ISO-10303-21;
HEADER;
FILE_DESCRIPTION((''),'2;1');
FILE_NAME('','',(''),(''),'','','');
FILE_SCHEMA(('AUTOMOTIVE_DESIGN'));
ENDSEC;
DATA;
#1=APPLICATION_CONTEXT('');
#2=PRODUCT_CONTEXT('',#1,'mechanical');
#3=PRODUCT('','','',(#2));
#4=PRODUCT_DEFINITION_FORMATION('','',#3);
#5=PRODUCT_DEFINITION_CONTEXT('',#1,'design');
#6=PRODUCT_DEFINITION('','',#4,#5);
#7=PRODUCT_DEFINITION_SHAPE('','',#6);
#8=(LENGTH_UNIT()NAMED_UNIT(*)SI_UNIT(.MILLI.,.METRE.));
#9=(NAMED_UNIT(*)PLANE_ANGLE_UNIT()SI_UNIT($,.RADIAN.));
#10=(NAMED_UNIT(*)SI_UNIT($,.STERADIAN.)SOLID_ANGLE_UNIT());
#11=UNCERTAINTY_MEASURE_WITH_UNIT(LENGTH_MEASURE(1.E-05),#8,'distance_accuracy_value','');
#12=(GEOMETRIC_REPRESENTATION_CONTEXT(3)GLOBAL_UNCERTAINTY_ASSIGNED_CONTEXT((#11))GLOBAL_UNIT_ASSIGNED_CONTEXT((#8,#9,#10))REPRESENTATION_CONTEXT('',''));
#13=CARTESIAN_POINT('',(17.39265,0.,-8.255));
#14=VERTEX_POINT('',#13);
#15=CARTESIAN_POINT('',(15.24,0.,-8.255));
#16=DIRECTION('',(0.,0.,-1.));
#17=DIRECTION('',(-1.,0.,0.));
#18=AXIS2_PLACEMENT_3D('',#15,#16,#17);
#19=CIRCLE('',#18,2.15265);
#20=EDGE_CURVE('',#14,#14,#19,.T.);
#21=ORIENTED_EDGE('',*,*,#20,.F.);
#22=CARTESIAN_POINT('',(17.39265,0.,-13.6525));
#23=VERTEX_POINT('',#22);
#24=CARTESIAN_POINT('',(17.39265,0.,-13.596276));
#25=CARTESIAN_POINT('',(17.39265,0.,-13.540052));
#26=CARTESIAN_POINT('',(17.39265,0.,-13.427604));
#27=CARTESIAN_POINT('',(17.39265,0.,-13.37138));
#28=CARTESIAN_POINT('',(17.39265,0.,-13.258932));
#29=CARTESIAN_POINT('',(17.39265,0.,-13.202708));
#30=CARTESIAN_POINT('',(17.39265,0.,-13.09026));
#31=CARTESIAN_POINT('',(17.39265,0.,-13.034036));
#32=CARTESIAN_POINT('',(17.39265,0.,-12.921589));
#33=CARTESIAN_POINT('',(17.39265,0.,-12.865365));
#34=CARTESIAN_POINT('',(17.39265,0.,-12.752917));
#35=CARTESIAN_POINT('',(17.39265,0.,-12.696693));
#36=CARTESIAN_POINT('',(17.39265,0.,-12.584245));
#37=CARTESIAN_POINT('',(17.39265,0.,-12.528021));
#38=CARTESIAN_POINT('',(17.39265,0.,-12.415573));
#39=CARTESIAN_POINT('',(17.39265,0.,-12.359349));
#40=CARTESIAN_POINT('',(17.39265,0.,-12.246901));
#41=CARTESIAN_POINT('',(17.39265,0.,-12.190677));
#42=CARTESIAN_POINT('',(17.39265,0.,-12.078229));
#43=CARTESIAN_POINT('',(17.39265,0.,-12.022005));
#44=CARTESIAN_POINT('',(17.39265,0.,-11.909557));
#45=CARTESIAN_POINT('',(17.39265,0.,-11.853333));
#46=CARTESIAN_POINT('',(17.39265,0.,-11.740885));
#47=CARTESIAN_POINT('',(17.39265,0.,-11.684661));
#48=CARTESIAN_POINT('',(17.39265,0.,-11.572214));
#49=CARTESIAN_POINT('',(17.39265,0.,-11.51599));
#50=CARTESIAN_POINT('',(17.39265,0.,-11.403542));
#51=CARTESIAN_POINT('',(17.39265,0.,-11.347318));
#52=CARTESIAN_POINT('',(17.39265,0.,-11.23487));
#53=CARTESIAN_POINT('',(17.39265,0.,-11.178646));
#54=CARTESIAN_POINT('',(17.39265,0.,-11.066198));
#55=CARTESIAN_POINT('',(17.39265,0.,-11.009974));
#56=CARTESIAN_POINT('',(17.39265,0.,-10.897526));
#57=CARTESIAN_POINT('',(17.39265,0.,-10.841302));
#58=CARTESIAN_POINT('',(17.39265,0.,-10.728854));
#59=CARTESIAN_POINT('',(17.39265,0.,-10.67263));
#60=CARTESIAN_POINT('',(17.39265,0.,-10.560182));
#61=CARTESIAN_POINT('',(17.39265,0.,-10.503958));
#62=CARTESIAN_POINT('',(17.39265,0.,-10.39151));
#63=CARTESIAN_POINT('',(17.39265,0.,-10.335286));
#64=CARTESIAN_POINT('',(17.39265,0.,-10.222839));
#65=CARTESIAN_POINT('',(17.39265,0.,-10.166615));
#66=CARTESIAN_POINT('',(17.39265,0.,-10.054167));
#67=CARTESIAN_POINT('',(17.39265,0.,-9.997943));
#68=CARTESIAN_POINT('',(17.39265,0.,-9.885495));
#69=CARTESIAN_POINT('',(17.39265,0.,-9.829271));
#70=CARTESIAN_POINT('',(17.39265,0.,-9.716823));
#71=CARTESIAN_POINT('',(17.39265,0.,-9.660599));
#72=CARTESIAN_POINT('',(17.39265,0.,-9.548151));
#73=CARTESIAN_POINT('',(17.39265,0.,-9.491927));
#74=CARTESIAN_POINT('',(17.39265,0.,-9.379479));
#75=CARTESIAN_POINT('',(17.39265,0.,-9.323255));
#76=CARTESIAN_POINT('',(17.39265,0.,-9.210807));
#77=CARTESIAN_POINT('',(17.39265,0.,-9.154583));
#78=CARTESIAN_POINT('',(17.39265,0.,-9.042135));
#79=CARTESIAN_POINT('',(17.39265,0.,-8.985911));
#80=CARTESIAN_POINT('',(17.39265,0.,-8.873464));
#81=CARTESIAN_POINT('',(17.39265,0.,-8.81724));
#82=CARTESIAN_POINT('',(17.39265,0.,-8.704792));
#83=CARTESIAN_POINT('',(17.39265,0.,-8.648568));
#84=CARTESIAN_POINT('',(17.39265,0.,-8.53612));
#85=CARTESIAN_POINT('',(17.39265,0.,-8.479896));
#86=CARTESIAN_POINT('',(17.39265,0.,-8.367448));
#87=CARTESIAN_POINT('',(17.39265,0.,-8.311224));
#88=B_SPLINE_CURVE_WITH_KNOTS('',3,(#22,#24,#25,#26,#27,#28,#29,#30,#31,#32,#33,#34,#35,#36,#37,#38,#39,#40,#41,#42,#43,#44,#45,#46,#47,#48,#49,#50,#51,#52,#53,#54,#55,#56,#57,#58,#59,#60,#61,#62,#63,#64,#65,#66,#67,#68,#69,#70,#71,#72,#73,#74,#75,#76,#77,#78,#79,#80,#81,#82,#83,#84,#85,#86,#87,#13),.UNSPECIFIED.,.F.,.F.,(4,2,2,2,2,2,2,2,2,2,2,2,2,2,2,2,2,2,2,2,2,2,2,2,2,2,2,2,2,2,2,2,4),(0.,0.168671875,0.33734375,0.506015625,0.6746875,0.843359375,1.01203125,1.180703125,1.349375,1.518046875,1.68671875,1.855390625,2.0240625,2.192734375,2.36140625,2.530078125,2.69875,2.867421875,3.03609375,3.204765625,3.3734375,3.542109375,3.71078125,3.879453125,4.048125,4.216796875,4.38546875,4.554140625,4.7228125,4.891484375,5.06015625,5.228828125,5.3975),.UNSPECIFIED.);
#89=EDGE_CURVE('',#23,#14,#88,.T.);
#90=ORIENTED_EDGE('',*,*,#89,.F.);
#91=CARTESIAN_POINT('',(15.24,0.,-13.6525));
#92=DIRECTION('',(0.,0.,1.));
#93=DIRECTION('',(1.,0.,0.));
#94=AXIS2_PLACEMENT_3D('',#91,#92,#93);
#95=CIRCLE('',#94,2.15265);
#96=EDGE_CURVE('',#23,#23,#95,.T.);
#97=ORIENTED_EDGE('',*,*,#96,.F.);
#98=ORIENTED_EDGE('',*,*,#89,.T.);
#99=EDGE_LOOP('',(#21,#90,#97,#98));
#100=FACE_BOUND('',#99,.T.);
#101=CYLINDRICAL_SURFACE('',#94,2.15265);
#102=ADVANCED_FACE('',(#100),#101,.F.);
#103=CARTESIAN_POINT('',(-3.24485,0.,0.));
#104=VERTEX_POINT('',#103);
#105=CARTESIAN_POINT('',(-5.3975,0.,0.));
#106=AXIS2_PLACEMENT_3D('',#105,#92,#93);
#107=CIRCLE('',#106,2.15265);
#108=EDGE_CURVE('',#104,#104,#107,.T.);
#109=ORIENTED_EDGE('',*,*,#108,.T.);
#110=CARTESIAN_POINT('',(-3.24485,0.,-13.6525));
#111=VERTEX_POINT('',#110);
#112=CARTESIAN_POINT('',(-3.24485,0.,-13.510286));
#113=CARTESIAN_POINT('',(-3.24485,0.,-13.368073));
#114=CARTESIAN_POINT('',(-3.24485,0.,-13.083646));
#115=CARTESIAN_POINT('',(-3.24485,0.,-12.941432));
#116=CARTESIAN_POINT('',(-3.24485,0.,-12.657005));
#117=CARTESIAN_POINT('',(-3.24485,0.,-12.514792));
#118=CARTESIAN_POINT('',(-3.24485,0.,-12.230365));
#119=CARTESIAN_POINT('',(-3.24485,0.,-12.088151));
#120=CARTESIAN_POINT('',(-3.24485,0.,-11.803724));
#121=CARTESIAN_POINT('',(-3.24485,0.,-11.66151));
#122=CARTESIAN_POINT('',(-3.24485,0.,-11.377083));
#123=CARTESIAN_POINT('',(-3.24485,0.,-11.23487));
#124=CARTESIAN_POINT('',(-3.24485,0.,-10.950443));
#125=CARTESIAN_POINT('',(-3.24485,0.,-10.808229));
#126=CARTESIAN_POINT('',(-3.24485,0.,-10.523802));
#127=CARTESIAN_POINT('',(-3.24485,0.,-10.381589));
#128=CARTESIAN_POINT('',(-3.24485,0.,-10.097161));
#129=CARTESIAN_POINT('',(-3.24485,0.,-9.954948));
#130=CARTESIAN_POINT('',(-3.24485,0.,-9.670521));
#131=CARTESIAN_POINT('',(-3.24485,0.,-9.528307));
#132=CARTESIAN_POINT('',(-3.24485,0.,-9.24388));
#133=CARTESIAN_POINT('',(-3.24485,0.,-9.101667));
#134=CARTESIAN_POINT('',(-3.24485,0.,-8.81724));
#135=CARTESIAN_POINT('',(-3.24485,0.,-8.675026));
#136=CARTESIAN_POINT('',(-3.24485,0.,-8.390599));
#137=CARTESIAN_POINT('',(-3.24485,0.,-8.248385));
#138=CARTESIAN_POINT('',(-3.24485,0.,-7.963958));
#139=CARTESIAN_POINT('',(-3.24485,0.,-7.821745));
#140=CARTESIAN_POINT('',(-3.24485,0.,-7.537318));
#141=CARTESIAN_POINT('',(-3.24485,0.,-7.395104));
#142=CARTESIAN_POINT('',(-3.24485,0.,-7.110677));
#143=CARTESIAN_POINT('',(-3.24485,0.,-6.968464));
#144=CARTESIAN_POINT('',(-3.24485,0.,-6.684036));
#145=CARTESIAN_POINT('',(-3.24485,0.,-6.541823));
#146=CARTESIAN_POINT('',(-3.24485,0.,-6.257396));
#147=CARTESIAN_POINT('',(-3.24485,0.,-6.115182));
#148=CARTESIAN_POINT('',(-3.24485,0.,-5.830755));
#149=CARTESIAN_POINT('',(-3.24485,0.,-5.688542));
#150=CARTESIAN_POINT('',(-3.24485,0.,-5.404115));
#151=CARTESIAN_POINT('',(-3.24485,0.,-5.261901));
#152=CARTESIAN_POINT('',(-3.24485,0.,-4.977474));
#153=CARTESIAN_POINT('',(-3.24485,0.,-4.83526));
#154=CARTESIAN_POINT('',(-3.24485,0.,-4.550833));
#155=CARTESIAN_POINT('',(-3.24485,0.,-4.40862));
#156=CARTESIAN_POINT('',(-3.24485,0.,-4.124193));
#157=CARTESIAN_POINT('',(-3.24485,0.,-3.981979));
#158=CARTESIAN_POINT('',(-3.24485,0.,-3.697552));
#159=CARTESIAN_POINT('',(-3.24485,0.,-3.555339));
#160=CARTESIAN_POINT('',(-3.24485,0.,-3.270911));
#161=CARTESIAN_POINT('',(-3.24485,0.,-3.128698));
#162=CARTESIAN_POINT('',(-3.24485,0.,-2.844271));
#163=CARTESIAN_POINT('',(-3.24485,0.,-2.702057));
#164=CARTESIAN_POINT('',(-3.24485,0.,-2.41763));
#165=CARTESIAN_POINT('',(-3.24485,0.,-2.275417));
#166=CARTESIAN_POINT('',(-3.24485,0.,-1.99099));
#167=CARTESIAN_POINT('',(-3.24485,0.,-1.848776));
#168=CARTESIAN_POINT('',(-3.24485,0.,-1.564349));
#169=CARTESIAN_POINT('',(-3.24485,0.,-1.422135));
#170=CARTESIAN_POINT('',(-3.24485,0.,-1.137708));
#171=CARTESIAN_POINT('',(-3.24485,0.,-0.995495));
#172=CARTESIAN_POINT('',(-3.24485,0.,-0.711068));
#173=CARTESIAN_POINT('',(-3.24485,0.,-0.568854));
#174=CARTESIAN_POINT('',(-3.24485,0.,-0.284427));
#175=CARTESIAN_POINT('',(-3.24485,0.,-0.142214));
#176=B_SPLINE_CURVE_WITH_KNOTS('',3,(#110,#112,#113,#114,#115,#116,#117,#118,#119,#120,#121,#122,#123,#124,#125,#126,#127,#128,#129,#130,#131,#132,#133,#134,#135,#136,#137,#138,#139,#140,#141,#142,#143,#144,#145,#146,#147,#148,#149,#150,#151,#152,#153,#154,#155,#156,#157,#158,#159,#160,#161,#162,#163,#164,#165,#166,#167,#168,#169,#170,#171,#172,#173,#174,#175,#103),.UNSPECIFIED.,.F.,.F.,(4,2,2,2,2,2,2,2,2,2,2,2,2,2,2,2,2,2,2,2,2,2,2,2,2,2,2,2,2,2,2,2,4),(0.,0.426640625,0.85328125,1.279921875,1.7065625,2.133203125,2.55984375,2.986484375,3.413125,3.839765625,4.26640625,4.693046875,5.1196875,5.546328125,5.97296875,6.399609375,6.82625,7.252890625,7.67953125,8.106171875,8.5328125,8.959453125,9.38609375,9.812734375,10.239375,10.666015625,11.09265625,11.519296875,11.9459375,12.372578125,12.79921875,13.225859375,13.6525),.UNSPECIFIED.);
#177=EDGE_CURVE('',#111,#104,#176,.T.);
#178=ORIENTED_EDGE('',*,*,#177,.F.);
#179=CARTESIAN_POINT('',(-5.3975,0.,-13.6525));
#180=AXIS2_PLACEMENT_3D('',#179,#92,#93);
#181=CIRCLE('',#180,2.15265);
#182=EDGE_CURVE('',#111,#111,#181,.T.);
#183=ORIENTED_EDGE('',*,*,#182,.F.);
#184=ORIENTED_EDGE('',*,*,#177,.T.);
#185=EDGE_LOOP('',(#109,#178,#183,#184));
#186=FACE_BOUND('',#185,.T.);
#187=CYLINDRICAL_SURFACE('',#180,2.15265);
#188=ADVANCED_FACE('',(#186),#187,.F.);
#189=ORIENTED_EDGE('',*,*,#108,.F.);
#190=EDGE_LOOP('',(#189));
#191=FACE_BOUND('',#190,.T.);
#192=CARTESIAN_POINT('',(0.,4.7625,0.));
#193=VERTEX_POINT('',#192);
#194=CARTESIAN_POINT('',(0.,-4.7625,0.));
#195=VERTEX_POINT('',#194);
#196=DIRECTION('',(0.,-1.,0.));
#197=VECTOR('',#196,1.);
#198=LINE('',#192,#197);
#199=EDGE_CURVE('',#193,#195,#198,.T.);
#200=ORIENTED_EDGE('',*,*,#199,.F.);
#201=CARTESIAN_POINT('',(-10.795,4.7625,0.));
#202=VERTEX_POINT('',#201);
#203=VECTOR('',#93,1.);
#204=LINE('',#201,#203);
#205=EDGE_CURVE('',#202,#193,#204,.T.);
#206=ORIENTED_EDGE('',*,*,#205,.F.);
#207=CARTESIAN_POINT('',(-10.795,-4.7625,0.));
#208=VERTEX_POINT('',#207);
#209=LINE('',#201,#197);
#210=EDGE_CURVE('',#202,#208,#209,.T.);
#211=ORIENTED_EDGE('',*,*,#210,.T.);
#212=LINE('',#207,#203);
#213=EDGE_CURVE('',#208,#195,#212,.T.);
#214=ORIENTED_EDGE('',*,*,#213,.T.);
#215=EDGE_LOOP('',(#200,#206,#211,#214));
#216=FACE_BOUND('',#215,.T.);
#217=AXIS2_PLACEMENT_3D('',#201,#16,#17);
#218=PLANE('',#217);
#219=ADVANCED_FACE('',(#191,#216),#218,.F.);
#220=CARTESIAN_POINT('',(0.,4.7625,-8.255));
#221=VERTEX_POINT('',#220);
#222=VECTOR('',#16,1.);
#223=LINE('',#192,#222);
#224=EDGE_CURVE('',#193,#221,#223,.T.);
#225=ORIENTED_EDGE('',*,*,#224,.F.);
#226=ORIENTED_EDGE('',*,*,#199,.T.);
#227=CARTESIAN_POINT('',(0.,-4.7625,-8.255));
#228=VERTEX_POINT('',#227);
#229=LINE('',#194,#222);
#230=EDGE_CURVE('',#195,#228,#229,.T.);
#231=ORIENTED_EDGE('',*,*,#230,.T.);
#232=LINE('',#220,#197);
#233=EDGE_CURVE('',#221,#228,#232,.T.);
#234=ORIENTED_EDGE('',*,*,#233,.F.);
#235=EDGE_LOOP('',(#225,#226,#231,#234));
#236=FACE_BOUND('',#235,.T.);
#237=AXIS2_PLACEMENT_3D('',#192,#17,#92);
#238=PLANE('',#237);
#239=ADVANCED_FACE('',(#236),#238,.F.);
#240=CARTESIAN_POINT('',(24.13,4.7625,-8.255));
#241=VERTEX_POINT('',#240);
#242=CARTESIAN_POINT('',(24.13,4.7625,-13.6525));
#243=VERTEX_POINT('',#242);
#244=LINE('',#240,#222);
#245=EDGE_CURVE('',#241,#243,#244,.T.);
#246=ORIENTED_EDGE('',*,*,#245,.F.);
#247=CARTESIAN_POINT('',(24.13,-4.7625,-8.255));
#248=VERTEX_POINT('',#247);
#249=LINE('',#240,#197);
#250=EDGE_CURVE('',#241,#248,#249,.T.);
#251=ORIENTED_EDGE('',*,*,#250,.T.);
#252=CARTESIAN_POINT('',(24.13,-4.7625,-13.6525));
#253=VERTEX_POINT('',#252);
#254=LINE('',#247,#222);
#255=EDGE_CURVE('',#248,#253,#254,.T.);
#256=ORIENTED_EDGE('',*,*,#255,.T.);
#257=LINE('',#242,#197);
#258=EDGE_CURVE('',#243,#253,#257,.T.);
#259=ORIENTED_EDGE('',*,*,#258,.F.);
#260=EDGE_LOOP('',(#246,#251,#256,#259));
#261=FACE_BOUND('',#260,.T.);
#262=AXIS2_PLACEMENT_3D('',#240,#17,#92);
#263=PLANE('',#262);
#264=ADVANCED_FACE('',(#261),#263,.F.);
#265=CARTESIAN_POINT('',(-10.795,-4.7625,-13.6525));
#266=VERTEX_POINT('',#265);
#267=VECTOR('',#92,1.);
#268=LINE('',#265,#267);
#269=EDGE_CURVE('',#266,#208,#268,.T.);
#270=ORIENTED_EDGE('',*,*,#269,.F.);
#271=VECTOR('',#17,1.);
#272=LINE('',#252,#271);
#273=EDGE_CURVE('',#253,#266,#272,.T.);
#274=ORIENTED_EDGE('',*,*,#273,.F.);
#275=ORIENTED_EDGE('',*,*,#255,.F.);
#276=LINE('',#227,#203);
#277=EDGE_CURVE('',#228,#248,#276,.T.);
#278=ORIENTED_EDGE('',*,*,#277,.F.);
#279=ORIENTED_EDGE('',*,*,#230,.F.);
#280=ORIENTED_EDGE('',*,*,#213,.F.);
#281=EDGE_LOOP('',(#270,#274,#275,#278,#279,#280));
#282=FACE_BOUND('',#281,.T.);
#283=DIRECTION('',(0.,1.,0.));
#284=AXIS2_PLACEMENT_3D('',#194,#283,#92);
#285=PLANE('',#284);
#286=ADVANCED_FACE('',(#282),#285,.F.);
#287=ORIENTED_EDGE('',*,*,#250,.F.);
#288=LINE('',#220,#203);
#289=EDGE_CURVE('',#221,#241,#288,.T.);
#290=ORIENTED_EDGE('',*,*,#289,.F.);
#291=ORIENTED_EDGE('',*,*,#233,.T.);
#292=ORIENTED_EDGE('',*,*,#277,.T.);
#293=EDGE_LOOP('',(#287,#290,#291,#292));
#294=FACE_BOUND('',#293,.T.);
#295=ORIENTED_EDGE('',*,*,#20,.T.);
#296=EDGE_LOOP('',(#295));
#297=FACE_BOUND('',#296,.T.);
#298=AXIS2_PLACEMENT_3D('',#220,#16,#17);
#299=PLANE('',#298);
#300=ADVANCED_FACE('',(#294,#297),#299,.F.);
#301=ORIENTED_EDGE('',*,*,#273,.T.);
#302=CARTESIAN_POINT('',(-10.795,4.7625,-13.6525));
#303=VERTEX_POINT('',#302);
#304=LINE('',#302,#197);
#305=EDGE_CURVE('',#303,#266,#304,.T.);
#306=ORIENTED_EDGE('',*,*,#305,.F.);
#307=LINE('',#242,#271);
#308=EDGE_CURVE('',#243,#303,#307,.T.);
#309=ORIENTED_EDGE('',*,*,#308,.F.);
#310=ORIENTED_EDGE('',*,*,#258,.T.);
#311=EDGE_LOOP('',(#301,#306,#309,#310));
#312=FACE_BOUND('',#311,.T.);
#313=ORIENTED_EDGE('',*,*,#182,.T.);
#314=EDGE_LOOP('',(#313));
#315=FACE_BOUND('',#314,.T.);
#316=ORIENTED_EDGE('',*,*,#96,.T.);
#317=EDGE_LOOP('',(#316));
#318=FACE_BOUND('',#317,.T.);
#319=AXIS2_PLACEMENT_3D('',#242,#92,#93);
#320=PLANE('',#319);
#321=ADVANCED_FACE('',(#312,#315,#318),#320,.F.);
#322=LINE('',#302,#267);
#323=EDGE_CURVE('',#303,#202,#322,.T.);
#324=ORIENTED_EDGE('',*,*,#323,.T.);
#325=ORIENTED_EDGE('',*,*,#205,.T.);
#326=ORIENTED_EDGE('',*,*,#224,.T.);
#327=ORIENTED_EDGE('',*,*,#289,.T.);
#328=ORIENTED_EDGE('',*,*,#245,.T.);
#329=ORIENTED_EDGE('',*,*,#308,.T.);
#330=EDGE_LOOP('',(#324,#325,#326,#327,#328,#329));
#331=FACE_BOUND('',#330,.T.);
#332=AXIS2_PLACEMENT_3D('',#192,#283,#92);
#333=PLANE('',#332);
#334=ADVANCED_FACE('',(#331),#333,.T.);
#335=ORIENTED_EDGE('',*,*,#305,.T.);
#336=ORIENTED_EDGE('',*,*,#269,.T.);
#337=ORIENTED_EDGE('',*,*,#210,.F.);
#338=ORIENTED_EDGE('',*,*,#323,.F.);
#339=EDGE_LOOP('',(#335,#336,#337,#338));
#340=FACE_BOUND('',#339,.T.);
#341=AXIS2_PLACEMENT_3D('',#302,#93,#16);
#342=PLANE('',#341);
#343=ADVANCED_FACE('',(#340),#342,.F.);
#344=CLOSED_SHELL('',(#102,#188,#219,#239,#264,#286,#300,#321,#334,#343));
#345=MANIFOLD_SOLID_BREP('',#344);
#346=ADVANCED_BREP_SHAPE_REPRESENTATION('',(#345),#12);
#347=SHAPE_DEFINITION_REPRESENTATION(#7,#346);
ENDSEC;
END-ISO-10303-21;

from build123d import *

# Parameters (mm, degrees)
BOSS_EXTRUDE1_DEPTH = 4.7625
SKETCH3_R           = 2.15265
CUT_EXTRUDE1_DEPTH  = 29.13057167


with BuildPart() as part:
    # Sketch1 → Boss-Extrude1 (new, symmetric)
    with BuildSketch(Plane(origin=(0, 0, 0), x_dir=(1, 0, 0), z_dir=(0, 1, 0))):
        Polygon((0, 0), (0, 8.255), (24.13, 8.255), (24.13, 13.6525), (-10.795, 13.6525), (-10.795, 0), align=None)
    extrude(amount=BOSS_EXTRUDE1_DEPTH, both=True)

    # Sketch3 → Cut-Extrude1 (cut, through all)
    with BuildSketch(Plane.XY):
        with Locations((15.24, 0)):
            Circle(SKETCH3_R)
        with Locations((-5.3975, 0)):
            Circle(SKETCH3_R)
    extrude(amount=-CUT_EXTRUDE1_DEPTH, mode=Mode.SUBTRACT)


solid = part.part
